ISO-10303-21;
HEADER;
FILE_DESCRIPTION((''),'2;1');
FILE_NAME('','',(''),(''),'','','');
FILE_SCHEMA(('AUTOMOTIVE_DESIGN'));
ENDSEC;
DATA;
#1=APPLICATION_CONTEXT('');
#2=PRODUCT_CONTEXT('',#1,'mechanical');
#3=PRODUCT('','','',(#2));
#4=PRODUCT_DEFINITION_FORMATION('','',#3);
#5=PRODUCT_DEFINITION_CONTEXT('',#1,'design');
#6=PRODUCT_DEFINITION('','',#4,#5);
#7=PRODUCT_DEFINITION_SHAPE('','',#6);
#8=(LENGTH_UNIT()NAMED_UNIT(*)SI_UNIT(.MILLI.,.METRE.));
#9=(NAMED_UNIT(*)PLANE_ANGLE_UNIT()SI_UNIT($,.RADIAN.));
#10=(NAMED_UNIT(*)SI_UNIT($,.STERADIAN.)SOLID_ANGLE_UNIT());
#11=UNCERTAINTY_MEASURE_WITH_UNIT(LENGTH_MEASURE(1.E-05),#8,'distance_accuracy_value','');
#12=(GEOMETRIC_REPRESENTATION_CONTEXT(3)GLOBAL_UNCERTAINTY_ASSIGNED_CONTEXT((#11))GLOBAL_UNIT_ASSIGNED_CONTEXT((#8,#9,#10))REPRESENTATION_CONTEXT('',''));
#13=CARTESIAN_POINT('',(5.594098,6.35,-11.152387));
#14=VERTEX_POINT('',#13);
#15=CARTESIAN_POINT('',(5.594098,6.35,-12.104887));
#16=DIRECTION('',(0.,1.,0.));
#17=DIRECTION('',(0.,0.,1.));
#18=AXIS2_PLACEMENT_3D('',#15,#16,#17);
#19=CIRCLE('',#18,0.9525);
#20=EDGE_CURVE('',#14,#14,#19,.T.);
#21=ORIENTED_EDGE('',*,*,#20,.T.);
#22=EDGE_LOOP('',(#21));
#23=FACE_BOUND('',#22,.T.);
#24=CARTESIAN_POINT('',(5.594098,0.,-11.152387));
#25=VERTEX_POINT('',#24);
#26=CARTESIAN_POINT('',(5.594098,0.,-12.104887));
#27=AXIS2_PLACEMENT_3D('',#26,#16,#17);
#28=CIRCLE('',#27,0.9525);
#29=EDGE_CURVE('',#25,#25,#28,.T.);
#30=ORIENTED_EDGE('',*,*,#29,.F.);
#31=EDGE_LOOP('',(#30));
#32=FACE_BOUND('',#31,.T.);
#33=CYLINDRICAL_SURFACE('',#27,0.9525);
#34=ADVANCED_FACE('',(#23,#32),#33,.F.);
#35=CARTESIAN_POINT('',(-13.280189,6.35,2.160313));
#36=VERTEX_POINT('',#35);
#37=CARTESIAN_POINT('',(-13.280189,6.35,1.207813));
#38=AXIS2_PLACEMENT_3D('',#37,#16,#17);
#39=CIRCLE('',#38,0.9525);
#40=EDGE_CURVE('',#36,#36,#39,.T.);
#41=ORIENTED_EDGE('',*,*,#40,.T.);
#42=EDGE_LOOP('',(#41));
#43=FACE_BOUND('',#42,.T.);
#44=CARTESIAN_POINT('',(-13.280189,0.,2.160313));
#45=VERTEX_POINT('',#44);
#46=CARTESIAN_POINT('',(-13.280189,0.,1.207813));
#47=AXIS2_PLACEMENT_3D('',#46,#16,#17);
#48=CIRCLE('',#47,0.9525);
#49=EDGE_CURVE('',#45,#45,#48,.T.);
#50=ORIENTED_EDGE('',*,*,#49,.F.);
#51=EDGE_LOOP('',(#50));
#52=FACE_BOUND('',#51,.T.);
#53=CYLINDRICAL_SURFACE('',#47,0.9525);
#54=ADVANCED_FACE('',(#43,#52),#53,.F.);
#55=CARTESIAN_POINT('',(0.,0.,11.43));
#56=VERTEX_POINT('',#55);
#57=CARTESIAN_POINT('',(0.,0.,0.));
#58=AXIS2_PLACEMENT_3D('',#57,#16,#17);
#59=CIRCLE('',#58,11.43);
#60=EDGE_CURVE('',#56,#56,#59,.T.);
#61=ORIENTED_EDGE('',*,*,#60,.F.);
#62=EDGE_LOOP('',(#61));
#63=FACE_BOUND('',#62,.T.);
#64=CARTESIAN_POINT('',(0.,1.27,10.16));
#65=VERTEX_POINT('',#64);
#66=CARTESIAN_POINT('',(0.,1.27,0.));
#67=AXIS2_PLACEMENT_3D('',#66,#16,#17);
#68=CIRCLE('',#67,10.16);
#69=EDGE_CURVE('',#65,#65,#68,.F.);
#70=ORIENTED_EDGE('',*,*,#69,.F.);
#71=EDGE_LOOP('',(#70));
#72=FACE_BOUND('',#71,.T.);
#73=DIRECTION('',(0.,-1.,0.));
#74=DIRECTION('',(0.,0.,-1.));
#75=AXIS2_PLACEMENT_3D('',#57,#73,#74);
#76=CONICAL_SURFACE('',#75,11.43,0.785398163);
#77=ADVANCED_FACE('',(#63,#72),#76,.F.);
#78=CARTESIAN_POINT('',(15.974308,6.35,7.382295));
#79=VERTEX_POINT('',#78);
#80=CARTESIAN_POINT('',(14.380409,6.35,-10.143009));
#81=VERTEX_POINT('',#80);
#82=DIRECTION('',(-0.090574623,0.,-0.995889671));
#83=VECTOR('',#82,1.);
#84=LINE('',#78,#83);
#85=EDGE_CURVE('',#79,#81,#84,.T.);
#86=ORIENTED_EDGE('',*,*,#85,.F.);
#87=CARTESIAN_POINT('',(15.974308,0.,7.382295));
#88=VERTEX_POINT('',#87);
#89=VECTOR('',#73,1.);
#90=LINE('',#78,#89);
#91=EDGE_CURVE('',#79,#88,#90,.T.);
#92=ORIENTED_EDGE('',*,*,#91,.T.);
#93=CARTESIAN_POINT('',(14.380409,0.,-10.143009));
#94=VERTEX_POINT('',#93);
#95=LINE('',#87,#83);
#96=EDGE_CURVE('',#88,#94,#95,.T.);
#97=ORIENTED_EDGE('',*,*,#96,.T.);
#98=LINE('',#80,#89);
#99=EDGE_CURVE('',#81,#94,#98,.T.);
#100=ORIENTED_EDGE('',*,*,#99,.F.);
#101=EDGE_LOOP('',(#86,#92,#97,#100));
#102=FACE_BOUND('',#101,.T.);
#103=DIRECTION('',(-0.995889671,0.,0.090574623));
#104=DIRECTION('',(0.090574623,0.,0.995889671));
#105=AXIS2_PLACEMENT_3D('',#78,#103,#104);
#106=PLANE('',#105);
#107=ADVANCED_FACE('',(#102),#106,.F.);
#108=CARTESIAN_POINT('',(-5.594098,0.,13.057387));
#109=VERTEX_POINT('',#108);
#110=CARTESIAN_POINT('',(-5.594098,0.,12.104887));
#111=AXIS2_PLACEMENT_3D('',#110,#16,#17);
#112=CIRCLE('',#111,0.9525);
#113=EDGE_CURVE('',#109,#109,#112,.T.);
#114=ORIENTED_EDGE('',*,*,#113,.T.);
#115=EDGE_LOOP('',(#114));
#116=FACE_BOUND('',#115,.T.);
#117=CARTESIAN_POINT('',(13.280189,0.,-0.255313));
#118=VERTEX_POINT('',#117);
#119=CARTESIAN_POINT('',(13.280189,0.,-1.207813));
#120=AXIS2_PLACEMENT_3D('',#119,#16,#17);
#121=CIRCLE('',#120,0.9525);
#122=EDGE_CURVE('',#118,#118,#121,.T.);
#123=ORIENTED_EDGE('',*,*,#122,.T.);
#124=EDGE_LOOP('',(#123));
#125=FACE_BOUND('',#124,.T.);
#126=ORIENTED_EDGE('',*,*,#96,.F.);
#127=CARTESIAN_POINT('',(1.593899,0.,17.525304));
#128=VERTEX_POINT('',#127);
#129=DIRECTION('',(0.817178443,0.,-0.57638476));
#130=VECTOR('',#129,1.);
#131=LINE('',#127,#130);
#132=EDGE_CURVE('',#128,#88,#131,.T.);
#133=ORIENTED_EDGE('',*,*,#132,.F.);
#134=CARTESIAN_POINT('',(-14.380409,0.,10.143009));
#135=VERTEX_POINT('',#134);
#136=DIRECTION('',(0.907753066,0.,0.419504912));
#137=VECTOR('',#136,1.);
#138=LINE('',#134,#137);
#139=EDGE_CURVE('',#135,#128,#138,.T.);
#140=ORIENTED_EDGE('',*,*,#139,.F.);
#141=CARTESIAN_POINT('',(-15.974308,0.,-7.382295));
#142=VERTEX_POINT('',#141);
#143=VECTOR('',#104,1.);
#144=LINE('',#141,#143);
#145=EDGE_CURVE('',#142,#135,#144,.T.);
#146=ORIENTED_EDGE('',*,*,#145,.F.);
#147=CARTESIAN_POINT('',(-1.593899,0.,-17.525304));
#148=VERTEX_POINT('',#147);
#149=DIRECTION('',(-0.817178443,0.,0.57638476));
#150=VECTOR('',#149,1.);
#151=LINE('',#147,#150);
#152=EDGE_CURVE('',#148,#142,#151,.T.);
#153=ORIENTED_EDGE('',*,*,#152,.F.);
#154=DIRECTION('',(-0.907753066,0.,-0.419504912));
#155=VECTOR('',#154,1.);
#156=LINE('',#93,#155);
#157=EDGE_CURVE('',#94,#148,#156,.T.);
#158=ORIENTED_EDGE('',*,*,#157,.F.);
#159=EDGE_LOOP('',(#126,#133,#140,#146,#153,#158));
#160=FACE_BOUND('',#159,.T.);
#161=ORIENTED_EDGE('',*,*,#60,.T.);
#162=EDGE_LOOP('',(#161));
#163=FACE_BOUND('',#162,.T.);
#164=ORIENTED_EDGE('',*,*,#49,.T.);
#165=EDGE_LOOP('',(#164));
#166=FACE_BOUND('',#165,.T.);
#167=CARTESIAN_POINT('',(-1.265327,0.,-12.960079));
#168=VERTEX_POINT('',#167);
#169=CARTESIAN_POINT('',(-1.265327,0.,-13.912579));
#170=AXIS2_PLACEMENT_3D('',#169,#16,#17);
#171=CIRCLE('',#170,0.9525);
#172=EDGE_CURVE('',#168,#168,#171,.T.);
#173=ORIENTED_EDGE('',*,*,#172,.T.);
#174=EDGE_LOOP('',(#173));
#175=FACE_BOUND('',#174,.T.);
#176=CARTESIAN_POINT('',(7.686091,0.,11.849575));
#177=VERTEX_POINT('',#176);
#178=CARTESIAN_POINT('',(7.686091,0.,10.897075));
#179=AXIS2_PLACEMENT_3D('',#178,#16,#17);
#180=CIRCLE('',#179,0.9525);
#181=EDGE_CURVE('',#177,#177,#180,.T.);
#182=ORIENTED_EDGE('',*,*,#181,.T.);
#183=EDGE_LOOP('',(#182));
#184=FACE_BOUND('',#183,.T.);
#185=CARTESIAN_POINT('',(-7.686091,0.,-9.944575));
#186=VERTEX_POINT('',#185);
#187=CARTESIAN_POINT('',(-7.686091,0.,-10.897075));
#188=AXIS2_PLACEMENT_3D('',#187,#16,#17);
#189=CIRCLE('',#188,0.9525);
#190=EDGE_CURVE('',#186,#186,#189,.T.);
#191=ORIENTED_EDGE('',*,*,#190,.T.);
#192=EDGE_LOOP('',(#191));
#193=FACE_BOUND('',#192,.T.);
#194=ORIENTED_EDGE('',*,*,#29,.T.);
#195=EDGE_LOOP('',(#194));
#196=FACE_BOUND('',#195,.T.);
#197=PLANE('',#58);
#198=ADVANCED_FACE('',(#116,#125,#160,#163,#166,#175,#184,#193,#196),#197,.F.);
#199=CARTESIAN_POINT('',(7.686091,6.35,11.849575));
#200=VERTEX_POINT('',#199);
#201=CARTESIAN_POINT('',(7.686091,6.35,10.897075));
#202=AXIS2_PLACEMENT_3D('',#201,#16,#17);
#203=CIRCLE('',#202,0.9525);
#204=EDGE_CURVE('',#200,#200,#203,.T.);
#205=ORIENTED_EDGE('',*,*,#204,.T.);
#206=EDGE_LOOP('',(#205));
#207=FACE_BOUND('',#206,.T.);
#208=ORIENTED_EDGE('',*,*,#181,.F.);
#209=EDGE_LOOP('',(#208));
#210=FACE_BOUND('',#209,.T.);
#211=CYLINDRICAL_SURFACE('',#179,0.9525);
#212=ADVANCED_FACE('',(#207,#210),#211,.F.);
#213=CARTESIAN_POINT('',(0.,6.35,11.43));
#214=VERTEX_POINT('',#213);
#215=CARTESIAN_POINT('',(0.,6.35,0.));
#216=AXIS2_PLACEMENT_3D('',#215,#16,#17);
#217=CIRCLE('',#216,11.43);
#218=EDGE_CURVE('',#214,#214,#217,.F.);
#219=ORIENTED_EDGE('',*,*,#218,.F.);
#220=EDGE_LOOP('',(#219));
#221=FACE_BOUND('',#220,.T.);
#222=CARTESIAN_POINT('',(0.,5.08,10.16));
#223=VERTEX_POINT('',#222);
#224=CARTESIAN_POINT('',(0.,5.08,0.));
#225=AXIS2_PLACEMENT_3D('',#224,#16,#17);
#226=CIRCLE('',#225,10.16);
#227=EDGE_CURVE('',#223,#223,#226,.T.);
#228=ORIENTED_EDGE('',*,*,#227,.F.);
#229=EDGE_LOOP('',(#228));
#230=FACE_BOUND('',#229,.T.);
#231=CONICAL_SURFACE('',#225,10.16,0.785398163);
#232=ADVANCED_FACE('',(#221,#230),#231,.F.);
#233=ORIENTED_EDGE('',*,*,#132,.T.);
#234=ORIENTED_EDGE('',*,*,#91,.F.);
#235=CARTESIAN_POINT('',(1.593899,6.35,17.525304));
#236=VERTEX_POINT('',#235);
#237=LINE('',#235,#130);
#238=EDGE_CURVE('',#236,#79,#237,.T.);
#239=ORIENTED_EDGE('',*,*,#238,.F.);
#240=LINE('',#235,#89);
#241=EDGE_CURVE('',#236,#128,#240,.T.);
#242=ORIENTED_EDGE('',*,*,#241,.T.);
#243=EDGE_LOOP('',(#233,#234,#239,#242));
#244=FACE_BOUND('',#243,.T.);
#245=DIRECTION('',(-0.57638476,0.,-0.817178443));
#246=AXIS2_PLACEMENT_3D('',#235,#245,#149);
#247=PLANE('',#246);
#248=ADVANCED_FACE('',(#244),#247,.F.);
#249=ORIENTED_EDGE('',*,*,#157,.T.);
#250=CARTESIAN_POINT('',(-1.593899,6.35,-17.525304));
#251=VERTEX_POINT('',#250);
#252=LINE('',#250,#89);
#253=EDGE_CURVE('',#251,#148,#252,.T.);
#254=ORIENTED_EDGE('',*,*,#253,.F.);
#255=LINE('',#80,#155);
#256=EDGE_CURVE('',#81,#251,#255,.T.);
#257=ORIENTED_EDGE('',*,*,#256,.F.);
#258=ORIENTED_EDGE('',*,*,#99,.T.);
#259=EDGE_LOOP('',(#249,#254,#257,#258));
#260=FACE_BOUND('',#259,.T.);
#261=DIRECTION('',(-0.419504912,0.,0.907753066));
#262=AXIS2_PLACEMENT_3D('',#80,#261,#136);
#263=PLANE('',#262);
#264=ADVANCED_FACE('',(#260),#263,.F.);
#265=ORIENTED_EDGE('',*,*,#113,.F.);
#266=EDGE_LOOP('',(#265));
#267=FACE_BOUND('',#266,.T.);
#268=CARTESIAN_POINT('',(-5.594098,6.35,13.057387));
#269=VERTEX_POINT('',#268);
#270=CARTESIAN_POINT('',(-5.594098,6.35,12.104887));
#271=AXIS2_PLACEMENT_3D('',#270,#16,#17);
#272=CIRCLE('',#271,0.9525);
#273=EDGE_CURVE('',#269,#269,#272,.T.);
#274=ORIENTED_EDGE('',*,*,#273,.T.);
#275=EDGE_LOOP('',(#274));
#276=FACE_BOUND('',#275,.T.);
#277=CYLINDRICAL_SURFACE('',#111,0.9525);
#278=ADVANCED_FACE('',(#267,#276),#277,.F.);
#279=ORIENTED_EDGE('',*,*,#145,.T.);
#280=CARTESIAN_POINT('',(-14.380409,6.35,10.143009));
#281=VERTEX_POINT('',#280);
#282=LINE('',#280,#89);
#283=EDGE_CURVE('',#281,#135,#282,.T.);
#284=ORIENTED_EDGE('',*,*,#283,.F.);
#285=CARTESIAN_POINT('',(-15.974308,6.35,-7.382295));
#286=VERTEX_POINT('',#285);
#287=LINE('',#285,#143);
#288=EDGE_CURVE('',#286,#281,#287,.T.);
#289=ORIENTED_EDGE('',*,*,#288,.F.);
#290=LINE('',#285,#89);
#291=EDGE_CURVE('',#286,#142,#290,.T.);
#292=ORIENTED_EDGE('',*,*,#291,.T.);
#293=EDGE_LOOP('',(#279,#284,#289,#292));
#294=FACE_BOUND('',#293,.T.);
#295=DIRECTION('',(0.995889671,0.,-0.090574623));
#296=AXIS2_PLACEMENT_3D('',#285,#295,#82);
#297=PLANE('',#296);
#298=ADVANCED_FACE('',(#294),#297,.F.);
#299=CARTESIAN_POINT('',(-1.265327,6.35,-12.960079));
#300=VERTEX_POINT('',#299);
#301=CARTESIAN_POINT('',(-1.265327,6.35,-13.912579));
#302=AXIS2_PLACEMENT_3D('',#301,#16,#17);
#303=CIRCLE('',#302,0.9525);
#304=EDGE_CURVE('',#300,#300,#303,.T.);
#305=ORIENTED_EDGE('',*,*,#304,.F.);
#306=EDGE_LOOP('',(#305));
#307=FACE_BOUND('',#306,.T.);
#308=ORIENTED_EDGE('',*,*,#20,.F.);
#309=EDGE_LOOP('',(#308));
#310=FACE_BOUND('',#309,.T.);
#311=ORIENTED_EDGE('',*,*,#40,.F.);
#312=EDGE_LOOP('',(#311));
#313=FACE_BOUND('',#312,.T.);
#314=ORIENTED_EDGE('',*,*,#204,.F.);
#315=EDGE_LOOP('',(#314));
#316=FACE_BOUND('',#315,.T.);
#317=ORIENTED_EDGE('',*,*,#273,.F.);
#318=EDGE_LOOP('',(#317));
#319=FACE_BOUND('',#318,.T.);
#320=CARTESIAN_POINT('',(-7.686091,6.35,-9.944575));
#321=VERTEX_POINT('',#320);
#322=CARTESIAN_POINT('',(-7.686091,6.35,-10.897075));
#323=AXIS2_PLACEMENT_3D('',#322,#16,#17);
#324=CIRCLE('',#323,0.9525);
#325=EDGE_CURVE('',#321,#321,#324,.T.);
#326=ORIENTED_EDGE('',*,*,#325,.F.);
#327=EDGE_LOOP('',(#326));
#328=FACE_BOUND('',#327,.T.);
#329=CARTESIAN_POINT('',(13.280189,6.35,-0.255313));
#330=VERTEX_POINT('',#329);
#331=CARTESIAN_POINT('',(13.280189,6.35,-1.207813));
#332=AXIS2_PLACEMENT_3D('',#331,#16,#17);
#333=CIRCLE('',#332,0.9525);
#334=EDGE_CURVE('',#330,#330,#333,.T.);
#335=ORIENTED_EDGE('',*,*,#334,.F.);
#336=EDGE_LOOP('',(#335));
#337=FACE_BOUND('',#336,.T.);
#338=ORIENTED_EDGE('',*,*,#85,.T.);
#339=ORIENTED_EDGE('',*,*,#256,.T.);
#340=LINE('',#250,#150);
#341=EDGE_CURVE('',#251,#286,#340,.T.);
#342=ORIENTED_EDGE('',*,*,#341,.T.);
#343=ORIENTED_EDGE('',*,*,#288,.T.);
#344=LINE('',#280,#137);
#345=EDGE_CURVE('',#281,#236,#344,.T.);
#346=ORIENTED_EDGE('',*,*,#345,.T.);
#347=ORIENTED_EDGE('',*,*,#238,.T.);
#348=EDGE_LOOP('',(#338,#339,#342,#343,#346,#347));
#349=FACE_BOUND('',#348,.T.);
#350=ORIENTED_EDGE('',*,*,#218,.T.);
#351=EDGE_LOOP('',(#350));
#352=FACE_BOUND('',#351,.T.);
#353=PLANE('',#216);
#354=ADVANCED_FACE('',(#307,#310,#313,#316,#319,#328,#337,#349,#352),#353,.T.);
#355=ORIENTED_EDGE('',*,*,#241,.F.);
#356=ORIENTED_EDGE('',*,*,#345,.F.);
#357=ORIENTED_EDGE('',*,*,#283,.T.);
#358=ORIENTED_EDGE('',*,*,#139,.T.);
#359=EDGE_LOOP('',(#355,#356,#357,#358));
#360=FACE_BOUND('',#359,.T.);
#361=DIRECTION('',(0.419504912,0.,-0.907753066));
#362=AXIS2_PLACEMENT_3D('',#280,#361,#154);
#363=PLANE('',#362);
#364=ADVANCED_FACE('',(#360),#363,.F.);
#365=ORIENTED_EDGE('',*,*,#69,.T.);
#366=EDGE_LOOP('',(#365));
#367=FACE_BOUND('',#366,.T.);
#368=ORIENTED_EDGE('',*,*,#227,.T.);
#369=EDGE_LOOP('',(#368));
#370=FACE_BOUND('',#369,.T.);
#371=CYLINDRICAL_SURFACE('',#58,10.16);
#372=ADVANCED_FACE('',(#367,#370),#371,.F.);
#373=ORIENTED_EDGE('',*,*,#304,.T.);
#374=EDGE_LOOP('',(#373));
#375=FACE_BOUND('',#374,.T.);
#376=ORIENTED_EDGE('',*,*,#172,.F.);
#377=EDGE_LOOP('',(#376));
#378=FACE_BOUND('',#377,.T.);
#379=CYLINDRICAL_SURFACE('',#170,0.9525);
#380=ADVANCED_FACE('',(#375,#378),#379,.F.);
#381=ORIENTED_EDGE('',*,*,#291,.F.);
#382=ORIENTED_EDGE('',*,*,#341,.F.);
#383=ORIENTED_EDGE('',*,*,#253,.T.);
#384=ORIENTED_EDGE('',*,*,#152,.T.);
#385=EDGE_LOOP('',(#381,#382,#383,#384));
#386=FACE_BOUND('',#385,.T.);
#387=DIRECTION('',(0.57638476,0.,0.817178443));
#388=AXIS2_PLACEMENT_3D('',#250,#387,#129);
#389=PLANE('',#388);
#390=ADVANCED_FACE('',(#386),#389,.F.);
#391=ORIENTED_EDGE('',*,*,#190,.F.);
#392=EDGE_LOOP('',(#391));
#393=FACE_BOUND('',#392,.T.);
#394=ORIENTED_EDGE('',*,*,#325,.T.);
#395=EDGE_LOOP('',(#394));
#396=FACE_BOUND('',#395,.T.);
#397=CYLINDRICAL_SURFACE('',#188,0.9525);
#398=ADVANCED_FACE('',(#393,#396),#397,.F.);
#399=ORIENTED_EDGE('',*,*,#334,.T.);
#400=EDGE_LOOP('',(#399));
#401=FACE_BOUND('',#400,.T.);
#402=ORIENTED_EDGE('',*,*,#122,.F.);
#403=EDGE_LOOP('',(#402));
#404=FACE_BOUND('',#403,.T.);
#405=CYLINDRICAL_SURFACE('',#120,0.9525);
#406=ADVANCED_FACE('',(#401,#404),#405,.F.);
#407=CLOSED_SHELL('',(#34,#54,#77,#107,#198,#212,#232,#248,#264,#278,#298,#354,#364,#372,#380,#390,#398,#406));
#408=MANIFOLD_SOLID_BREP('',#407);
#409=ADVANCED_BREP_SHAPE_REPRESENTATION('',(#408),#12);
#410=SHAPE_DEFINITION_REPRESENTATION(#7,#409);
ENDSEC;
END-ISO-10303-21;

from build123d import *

# Parameters (mm, degrees)
BOSS_EXTRUDE1_DEPTH = 6.35
SKETCH2_R           = 10.16
CUT_EXTRUDE1_DEPTH  = 25.548672232
CHAMFER1_SIZE       = 1.27
SKETCH4_R           = 0.9525
CUT_EXTRUDE2_DEPTH  = 25.548672232


with BuildPart() as part:
    # Sketch1 → Boss-Extrude1 (new body)
    with BuildSketch(Plane(origin=(0, 0, 0), x_dir=(1, 0, 0), z_dir=(0, 1, 0))):
        Polygon((1.59389926, -17.525304139), (15.974308223, -7.382294819), (14.380408963, 10.143009319), (-1.59389926, 17.525304139), (-15.974308223, 7.382294819), (-14.380408963, -10.143009319), align=None)
    extrude(amount=BOSS_EXTRUDE1_DEPTH)

    # Sketch2 → Cut-Extrude1 (cut, through all)
    with BuildSketch(Plane(origin=(0, 6.35, 0), x_dir=(1, 0, 0), z_dir=(0, 1, 0))):
        with Locations(Location((0, 0, 0), (0, 0, 270))):
            Circle(SKETCH2_R)
    extrude(amount=-CUT_EXTRUDE1_DEPTH, mode=Mode.SUBTRACT)

    # Chamfer1
    chamfer1_edges = [part.edges().sort_by_distance(p)[0] for p in [
        (0, 0, -10.16),
        (0, 6.35, -10.16),
    ]]
    chamfer(chamfer1_edges, length=CHAMFER1_SIZE)

    # Sketch4 → Cut-Extrude2 (cut, through all)
    with BuildSketch(Plane(origin=(0, 6.35, 0), x_dir=(1, 0, 0), z_dir=(0, 1, 0))):
        with Locations(Location((-7.686090774, 10.897074544, 0), (0, 0, 270))):
            Circle(SKETCH4_R)
        with Locations(Location((5.594097995, 12.104887138, 0), (0, 0, 270))):
            Circle(SKETCH4_R)
        with Locations(Location((13.280188769, 1.207812594, 0), (0, 0, 270))):
            Circle(SKETCH4_R)
        with Locations(Location((7.686090774, -10.897074544, 0), (0, 0, 270))):
            Circle(SKETCH4_R)
        with Locations(Location((-5.594097995, -12.104887138, 0), (0, 0, 270))):
            Circle(SKETCH4_R)
        with Locations(Location((-1.265327479, 13.91257871, 0), (0, 0, 270))):
            Circle(SKETCH4_R)
        with Locations(Location((-13.280188769, -1.207812594, 0), (0, 0, 270))):
            Circle(SKETCH4_R)
    extrude(amount=-CUT_EXTRUDE2_DEPTH, mode=Mode.SUBTRACT)


solid = part.part
